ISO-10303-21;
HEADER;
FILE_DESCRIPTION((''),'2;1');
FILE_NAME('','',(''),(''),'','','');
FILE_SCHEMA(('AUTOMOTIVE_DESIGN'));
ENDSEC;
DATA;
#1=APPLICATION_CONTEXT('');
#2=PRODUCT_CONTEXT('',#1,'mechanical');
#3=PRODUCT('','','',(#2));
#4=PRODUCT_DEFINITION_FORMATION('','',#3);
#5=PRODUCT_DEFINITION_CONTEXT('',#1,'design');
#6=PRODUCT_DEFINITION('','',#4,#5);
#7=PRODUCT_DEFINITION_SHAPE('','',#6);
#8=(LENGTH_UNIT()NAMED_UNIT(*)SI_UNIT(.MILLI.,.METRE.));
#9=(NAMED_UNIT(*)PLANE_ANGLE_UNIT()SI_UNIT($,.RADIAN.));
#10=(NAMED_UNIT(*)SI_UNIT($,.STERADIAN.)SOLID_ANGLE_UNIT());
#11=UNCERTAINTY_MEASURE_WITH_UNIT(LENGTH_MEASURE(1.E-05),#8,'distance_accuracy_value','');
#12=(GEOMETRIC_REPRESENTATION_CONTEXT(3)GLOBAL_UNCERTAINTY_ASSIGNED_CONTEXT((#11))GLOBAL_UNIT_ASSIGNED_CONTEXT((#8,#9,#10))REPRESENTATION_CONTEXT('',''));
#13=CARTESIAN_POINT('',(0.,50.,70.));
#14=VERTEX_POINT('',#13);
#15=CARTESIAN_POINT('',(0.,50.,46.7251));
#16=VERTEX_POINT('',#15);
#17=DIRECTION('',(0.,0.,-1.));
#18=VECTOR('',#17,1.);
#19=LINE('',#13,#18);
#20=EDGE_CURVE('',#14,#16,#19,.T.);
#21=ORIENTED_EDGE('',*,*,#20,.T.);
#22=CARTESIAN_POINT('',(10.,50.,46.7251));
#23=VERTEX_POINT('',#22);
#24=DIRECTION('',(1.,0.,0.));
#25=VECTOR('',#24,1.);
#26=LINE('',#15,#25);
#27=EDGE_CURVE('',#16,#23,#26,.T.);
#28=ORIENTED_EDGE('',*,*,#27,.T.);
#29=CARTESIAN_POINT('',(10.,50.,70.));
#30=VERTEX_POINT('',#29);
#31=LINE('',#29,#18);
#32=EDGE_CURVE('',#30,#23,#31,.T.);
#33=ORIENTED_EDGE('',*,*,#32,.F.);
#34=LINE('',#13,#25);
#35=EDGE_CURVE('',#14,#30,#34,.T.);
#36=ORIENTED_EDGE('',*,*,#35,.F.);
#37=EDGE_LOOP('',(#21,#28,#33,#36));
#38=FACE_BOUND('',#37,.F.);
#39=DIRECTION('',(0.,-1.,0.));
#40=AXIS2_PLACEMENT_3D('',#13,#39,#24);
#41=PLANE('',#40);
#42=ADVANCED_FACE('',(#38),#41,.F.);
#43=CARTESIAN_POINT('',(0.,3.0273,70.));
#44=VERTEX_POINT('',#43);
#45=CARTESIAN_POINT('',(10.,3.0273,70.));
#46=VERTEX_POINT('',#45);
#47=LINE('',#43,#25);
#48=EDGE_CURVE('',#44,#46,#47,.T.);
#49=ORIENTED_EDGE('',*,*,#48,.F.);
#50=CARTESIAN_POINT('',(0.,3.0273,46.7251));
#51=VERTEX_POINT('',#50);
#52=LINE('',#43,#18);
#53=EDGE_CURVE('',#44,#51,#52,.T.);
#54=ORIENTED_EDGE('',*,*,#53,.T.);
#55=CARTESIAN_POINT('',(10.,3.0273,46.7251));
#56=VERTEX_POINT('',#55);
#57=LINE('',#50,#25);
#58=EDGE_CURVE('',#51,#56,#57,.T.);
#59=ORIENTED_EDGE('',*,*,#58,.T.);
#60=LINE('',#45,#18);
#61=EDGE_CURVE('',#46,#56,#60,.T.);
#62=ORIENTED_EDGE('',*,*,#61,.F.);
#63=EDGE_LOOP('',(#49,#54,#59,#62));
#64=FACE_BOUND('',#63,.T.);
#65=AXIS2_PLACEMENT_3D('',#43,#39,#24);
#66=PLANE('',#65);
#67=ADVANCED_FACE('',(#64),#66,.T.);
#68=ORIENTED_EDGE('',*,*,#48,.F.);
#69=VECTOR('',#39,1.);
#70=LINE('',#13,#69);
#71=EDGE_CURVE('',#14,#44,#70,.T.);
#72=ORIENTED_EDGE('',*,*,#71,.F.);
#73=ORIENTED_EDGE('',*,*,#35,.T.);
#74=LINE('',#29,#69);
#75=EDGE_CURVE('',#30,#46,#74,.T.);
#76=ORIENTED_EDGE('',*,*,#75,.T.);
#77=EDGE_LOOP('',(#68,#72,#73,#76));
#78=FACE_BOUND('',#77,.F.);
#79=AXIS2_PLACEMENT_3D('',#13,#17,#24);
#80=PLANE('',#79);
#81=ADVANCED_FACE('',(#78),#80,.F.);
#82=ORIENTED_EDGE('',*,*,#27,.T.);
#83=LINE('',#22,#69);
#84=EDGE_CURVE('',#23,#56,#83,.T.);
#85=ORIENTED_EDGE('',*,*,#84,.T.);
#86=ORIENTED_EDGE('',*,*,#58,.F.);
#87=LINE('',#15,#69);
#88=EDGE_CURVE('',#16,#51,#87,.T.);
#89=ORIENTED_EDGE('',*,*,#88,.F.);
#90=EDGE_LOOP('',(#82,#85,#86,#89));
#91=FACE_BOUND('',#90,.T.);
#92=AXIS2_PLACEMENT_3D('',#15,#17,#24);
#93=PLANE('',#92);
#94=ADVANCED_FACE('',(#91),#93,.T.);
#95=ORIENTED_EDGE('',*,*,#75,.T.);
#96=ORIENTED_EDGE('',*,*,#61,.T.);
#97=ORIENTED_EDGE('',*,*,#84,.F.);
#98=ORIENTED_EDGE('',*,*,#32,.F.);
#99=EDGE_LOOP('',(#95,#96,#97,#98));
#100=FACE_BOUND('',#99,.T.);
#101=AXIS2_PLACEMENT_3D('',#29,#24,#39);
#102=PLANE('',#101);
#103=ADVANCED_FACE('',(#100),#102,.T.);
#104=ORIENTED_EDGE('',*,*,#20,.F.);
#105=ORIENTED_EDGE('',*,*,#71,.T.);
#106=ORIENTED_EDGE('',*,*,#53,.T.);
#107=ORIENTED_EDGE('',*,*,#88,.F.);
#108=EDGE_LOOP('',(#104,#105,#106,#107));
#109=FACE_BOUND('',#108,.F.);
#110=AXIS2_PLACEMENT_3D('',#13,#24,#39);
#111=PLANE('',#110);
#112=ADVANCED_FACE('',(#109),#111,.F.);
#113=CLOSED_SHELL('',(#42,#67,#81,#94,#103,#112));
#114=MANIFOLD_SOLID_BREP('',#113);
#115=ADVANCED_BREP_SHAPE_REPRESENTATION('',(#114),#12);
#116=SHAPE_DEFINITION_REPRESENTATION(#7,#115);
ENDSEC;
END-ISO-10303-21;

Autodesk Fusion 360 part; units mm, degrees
box "长方体基本要素1" add length 46.9727 width 23.2749 height 10 placed x (0, -1, 0) y (0, 0, -1) z (1, 0, 0) at (0, 50, 70)
